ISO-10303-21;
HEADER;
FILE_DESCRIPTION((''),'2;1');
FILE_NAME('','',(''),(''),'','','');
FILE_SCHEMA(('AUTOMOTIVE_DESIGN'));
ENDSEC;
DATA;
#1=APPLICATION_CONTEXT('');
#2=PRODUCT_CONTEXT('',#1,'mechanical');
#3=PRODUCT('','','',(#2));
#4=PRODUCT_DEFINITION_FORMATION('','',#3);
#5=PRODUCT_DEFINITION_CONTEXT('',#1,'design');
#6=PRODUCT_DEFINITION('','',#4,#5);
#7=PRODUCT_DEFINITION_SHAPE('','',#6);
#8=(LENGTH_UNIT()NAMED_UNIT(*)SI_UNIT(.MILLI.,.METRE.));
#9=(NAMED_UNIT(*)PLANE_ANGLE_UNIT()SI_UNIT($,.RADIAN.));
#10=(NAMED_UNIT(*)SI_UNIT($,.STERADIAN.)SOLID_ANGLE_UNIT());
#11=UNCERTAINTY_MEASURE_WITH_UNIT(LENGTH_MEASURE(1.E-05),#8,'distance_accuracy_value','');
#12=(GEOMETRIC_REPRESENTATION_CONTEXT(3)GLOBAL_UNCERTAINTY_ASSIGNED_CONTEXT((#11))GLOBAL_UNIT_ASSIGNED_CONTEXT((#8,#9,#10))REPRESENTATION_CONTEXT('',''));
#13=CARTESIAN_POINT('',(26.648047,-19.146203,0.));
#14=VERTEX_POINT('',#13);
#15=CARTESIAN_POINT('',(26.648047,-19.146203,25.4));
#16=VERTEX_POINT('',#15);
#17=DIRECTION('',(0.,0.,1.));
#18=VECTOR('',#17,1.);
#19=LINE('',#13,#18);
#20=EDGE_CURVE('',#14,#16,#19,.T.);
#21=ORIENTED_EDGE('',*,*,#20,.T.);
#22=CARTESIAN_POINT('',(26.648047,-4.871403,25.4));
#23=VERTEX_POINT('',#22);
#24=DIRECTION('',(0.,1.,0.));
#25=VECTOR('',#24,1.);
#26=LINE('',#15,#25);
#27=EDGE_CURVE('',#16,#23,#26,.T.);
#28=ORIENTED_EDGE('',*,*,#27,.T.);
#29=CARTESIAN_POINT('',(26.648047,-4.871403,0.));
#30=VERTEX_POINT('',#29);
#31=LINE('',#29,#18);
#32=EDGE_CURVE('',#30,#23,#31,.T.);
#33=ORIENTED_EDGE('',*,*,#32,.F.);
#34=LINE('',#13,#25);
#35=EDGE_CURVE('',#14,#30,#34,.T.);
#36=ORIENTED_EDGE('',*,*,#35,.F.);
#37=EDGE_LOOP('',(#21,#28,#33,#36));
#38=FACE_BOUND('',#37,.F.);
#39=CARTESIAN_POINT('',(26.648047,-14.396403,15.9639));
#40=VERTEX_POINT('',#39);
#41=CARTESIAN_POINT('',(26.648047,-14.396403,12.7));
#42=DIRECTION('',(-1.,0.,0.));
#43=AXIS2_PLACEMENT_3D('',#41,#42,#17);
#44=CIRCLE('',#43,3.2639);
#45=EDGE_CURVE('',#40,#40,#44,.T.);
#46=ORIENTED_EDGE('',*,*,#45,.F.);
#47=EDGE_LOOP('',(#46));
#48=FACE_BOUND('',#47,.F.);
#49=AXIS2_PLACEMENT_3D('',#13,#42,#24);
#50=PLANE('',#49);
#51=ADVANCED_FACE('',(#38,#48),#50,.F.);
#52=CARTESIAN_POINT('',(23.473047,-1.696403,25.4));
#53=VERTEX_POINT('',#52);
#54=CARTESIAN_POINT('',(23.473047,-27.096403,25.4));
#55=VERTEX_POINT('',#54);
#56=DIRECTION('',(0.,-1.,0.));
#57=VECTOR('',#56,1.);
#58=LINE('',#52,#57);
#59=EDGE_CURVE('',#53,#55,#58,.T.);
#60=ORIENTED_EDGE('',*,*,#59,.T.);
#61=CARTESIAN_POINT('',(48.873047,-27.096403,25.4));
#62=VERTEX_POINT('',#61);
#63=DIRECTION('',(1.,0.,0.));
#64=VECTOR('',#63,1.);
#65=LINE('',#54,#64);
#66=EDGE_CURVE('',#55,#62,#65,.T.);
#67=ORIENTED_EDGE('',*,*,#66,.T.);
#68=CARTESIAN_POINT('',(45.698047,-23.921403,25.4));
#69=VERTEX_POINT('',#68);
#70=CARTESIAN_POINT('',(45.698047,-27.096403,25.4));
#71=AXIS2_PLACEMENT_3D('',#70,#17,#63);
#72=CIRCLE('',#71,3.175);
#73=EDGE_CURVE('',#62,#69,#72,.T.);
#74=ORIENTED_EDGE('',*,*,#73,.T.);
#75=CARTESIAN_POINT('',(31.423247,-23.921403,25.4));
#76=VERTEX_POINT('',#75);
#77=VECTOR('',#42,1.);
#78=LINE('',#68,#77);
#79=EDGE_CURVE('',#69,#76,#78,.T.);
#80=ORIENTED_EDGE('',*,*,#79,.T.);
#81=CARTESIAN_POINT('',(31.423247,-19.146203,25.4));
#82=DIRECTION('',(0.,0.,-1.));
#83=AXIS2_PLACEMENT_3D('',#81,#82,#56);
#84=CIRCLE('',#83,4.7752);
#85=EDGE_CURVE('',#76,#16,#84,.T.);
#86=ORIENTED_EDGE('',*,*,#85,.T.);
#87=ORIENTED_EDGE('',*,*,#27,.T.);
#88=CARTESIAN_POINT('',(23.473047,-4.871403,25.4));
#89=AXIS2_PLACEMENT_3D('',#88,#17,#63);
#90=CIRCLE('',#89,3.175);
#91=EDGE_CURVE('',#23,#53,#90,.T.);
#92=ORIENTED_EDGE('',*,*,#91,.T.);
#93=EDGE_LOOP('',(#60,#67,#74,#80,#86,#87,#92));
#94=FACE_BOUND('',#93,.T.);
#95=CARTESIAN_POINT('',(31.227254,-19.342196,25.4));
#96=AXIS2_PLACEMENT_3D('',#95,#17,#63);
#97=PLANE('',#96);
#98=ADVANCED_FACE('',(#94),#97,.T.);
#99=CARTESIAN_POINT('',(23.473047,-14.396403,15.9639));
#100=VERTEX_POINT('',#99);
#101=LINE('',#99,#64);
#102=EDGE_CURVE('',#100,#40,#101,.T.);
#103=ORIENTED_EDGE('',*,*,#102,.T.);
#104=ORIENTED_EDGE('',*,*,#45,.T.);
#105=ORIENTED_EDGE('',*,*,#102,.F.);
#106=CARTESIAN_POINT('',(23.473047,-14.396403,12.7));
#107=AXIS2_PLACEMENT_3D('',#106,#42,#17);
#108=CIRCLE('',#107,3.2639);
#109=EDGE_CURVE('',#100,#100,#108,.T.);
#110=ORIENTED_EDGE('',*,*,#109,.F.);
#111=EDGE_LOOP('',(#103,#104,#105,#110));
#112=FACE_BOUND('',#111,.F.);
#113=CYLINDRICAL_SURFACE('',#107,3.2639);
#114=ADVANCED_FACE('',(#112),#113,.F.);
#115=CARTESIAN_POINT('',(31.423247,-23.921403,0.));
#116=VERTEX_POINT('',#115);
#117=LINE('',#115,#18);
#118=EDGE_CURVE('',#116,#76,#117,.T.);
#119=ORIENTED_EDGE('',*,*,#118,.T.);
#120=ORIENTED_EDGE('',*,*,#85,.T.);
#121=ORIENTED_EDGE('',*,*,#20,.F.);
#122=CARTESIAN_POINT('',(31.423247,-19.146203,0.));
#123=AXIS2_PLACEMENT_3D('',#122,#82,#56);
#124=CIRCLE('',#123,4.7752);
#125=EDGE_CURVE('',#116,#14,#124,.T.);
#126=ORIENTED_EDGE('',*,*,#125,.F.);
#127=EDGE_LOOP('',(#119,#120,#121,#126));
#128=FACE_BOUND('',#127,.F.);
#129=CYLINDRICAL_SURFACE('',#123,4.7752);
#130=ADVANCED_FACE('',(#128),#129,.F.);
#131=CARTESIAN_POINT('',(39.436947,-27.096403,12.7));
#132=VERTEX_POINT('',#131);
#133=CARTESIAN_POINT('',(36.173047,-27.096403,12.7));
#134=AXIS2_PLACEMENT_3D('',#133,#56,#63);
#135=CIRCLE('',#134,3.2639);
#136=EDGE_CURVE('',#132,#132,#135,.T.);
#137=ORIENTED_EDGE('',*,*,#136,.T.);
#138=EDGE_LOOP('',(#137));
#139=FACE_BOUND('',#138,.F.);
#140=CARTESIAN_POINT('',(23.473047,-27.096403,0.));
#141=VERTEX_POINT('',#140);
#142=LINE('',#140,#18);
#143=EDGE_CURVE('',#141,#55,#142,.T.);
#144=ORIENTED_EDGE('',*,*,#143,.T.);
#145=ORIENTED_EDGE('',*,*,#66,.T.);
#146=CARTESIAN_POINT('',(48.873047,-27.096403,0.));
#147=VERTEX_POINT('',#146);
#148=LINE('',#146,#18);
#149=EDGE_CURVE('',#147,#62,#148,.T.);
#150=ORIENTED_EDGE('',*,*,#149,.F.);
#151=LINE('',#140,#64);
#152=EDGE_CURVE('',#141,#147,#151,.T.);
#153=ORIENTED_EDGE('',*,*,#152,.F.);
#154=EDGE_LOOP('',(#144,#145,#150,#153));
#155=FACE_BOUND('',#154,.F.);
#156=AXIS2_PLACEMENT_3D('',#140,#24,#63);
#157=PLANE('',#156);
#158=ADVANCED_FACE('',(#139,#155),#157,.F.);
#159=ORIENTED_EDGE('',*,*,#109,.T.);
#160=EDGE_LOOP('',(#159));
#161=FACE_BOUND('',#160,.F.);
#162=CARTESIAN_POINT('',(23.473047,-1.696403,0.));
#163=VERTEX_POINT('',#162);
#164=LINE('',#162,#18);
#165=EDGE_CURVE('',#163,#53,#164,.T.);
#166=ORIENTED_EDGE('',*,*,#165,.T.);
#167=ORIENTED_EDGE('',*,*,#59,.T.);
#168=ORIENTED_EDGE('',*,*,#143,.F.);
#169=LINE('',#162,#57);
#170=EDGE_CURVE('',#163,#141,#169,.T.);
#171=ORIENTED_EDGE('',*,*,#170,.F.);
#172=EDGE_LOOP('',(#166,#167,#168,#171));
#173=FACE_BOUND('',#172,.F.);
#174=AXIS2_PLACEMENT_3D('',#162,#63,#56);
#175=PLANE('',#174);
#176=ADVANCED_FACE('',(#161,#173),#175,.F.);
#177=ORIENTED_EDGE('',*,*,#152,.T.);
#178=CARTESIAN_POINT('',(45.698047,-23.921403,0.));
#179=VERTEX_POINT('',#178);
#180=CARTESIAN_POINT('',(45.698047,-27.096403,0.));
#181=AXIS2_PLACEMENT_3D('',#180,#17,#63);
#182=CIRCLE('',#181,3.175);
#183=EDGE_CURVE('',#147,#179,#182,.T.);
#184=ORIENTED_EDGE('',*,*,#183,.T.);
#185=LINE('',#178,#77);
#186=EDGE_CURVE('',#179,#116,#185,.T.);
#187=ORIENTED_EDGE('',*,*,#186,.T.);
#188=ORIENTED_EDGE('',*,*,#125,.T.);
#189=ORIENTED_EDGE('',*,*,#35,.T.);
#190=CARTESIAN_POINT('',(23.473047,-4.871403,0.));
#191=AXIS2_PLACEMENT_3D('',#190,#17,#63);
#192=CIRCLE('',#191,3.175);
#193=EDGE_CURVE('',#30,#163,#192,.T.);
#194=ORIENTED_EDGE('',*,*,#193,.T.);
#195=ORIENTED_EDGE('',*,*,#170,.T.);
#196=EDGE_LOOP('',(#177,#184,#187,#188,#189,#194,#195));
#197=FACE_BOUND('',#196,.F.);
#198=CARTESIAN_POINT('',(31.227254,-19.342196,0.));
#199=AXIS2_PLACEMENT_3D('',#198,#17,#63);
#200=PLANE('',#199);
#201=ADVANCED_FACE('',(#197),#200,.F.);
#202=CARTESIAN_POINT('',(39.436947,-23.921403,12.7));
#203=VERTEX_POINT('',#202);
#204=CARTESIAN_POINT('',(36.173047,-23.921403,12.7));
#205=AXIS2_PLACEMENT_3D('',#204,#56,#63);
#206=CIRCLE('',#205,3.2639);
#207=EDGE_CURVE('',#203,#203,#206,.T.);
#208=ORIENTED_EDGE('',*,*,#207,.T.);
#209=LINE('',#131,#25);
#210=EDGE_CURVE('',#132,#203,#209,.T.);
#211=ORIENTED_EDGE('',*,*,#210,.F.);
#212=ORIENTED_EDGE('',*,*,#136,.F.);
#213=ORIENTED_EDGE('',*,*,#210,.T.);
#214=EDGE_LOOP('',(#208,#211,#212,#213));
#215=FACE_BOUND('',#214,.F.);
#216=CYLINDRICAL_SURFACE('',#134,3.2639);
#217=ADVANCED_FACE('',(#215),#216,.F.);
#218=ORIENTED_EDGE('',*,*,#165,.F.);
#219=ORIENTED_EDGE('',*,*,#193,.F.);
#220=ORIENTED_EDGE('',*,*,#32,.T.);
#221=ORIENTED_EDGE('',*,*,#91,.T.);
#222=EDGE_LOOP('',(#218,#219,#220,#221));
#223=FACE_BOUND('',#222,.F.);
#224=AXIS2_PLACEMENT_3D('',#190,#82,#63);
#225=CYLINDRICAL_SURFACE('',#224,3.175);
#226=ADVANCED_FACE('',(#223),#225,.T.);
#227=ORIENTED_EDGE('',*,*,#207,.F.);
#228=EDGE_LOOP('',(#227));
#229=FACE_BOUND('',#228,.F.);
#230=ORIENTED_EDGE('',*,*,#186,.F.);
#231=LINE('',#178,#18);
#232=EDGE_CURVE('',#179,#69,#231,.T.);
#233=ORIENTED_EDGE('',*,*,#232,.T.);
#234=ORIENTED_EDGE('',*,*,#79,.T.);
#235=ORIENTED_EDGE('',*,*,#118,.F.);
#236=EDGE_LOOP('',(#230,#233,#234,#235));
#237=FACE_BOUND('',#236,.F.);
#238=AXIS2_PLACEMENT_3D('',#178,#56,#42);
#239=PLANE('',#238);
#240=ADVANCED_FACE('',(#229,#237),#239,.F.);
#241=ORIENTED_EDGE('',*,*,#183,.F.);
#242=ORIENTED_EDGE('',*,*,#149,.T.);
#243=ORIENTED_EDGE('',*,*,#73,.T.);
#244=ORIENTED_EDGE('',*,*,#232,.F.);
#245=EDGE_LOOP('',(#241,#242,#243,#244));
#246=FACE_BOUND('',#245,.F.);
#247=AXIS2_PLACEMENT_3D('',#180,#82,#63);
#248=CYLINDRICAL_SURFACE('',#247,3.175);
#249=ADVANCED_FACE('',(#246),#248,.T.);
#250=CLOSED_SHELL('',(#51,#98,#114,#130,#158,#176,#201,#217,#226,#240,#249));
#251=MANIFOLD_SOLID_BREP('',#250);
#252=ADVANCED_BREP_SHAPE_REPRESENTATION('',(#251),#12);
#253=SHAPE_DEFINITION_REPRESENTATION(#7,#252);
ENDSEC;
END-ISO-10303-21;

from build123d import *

# Parameters (mm, degrees)
EXTRUDE1_DEPTH     = 25.4
SKETCH2_R          = 3.2639
CUT_EXTRUDE1_DEPTH = 26.4
SKETCH3_R          = 3.2639
CUT_EXTRUDE2_DEPTH = 26.4


with BuildPart() as part:
    # Sketch1 → Extrude1 (new body)
    with BuildSketch(Plane.XY):
        with BuildLine():
            Line((23.473046964, -1.696403207), (23.473046964, -27.096403207))
            Line((23.473046964, -27.096403207), (48.873046964, -27.096403207))
            ThreePointArc((48.873046964, -27.096403207), (47.943110995, -24.851339177), (45.698046964, -23.921403207))
            Line((45.698046964, -23.921403207), (31.423246964, -23.921403207))
            ThreePointArc((31.423246964, -23.921403207), (28.046670663, -22.522779509), (26.648046964, -19.146203207))
            Line((26.648046964, -19.146203207), (26.648046964, -4.871403207))
            ThreePointArc((26.648046964, -4.871403207), (25.718110995, -2.626339177), (23.473046964, -1.696403207))
        make_face()
    extrude(amount=EXTRUDE1_DEPTH)

    # Sketch2 → Cut-Extrude1 (cut, through all)
    with BuildSketch(Plane.ZY.offset(-23.473046964)):
        with Locations((12.7, -14.396403207)):
            Circle(SKETCH2_R)
    extrude(amount=-CUT_EXTRUDE1_DEPTH, mode=Mode.SUBTRACT)

    # Sketch3 → Cut-Extrude2 (cut, through all)
    with BuildSketch(Plane.XZ.offset(27.096403207)):
        with Locations((36.173046964, 12.7)):
            Circle(SKETCH3_R)
    extrude(amount=-CUT_EXTRUDE2_DEPTH, mode=Mode.SUBTRACT)


solid = part.part
